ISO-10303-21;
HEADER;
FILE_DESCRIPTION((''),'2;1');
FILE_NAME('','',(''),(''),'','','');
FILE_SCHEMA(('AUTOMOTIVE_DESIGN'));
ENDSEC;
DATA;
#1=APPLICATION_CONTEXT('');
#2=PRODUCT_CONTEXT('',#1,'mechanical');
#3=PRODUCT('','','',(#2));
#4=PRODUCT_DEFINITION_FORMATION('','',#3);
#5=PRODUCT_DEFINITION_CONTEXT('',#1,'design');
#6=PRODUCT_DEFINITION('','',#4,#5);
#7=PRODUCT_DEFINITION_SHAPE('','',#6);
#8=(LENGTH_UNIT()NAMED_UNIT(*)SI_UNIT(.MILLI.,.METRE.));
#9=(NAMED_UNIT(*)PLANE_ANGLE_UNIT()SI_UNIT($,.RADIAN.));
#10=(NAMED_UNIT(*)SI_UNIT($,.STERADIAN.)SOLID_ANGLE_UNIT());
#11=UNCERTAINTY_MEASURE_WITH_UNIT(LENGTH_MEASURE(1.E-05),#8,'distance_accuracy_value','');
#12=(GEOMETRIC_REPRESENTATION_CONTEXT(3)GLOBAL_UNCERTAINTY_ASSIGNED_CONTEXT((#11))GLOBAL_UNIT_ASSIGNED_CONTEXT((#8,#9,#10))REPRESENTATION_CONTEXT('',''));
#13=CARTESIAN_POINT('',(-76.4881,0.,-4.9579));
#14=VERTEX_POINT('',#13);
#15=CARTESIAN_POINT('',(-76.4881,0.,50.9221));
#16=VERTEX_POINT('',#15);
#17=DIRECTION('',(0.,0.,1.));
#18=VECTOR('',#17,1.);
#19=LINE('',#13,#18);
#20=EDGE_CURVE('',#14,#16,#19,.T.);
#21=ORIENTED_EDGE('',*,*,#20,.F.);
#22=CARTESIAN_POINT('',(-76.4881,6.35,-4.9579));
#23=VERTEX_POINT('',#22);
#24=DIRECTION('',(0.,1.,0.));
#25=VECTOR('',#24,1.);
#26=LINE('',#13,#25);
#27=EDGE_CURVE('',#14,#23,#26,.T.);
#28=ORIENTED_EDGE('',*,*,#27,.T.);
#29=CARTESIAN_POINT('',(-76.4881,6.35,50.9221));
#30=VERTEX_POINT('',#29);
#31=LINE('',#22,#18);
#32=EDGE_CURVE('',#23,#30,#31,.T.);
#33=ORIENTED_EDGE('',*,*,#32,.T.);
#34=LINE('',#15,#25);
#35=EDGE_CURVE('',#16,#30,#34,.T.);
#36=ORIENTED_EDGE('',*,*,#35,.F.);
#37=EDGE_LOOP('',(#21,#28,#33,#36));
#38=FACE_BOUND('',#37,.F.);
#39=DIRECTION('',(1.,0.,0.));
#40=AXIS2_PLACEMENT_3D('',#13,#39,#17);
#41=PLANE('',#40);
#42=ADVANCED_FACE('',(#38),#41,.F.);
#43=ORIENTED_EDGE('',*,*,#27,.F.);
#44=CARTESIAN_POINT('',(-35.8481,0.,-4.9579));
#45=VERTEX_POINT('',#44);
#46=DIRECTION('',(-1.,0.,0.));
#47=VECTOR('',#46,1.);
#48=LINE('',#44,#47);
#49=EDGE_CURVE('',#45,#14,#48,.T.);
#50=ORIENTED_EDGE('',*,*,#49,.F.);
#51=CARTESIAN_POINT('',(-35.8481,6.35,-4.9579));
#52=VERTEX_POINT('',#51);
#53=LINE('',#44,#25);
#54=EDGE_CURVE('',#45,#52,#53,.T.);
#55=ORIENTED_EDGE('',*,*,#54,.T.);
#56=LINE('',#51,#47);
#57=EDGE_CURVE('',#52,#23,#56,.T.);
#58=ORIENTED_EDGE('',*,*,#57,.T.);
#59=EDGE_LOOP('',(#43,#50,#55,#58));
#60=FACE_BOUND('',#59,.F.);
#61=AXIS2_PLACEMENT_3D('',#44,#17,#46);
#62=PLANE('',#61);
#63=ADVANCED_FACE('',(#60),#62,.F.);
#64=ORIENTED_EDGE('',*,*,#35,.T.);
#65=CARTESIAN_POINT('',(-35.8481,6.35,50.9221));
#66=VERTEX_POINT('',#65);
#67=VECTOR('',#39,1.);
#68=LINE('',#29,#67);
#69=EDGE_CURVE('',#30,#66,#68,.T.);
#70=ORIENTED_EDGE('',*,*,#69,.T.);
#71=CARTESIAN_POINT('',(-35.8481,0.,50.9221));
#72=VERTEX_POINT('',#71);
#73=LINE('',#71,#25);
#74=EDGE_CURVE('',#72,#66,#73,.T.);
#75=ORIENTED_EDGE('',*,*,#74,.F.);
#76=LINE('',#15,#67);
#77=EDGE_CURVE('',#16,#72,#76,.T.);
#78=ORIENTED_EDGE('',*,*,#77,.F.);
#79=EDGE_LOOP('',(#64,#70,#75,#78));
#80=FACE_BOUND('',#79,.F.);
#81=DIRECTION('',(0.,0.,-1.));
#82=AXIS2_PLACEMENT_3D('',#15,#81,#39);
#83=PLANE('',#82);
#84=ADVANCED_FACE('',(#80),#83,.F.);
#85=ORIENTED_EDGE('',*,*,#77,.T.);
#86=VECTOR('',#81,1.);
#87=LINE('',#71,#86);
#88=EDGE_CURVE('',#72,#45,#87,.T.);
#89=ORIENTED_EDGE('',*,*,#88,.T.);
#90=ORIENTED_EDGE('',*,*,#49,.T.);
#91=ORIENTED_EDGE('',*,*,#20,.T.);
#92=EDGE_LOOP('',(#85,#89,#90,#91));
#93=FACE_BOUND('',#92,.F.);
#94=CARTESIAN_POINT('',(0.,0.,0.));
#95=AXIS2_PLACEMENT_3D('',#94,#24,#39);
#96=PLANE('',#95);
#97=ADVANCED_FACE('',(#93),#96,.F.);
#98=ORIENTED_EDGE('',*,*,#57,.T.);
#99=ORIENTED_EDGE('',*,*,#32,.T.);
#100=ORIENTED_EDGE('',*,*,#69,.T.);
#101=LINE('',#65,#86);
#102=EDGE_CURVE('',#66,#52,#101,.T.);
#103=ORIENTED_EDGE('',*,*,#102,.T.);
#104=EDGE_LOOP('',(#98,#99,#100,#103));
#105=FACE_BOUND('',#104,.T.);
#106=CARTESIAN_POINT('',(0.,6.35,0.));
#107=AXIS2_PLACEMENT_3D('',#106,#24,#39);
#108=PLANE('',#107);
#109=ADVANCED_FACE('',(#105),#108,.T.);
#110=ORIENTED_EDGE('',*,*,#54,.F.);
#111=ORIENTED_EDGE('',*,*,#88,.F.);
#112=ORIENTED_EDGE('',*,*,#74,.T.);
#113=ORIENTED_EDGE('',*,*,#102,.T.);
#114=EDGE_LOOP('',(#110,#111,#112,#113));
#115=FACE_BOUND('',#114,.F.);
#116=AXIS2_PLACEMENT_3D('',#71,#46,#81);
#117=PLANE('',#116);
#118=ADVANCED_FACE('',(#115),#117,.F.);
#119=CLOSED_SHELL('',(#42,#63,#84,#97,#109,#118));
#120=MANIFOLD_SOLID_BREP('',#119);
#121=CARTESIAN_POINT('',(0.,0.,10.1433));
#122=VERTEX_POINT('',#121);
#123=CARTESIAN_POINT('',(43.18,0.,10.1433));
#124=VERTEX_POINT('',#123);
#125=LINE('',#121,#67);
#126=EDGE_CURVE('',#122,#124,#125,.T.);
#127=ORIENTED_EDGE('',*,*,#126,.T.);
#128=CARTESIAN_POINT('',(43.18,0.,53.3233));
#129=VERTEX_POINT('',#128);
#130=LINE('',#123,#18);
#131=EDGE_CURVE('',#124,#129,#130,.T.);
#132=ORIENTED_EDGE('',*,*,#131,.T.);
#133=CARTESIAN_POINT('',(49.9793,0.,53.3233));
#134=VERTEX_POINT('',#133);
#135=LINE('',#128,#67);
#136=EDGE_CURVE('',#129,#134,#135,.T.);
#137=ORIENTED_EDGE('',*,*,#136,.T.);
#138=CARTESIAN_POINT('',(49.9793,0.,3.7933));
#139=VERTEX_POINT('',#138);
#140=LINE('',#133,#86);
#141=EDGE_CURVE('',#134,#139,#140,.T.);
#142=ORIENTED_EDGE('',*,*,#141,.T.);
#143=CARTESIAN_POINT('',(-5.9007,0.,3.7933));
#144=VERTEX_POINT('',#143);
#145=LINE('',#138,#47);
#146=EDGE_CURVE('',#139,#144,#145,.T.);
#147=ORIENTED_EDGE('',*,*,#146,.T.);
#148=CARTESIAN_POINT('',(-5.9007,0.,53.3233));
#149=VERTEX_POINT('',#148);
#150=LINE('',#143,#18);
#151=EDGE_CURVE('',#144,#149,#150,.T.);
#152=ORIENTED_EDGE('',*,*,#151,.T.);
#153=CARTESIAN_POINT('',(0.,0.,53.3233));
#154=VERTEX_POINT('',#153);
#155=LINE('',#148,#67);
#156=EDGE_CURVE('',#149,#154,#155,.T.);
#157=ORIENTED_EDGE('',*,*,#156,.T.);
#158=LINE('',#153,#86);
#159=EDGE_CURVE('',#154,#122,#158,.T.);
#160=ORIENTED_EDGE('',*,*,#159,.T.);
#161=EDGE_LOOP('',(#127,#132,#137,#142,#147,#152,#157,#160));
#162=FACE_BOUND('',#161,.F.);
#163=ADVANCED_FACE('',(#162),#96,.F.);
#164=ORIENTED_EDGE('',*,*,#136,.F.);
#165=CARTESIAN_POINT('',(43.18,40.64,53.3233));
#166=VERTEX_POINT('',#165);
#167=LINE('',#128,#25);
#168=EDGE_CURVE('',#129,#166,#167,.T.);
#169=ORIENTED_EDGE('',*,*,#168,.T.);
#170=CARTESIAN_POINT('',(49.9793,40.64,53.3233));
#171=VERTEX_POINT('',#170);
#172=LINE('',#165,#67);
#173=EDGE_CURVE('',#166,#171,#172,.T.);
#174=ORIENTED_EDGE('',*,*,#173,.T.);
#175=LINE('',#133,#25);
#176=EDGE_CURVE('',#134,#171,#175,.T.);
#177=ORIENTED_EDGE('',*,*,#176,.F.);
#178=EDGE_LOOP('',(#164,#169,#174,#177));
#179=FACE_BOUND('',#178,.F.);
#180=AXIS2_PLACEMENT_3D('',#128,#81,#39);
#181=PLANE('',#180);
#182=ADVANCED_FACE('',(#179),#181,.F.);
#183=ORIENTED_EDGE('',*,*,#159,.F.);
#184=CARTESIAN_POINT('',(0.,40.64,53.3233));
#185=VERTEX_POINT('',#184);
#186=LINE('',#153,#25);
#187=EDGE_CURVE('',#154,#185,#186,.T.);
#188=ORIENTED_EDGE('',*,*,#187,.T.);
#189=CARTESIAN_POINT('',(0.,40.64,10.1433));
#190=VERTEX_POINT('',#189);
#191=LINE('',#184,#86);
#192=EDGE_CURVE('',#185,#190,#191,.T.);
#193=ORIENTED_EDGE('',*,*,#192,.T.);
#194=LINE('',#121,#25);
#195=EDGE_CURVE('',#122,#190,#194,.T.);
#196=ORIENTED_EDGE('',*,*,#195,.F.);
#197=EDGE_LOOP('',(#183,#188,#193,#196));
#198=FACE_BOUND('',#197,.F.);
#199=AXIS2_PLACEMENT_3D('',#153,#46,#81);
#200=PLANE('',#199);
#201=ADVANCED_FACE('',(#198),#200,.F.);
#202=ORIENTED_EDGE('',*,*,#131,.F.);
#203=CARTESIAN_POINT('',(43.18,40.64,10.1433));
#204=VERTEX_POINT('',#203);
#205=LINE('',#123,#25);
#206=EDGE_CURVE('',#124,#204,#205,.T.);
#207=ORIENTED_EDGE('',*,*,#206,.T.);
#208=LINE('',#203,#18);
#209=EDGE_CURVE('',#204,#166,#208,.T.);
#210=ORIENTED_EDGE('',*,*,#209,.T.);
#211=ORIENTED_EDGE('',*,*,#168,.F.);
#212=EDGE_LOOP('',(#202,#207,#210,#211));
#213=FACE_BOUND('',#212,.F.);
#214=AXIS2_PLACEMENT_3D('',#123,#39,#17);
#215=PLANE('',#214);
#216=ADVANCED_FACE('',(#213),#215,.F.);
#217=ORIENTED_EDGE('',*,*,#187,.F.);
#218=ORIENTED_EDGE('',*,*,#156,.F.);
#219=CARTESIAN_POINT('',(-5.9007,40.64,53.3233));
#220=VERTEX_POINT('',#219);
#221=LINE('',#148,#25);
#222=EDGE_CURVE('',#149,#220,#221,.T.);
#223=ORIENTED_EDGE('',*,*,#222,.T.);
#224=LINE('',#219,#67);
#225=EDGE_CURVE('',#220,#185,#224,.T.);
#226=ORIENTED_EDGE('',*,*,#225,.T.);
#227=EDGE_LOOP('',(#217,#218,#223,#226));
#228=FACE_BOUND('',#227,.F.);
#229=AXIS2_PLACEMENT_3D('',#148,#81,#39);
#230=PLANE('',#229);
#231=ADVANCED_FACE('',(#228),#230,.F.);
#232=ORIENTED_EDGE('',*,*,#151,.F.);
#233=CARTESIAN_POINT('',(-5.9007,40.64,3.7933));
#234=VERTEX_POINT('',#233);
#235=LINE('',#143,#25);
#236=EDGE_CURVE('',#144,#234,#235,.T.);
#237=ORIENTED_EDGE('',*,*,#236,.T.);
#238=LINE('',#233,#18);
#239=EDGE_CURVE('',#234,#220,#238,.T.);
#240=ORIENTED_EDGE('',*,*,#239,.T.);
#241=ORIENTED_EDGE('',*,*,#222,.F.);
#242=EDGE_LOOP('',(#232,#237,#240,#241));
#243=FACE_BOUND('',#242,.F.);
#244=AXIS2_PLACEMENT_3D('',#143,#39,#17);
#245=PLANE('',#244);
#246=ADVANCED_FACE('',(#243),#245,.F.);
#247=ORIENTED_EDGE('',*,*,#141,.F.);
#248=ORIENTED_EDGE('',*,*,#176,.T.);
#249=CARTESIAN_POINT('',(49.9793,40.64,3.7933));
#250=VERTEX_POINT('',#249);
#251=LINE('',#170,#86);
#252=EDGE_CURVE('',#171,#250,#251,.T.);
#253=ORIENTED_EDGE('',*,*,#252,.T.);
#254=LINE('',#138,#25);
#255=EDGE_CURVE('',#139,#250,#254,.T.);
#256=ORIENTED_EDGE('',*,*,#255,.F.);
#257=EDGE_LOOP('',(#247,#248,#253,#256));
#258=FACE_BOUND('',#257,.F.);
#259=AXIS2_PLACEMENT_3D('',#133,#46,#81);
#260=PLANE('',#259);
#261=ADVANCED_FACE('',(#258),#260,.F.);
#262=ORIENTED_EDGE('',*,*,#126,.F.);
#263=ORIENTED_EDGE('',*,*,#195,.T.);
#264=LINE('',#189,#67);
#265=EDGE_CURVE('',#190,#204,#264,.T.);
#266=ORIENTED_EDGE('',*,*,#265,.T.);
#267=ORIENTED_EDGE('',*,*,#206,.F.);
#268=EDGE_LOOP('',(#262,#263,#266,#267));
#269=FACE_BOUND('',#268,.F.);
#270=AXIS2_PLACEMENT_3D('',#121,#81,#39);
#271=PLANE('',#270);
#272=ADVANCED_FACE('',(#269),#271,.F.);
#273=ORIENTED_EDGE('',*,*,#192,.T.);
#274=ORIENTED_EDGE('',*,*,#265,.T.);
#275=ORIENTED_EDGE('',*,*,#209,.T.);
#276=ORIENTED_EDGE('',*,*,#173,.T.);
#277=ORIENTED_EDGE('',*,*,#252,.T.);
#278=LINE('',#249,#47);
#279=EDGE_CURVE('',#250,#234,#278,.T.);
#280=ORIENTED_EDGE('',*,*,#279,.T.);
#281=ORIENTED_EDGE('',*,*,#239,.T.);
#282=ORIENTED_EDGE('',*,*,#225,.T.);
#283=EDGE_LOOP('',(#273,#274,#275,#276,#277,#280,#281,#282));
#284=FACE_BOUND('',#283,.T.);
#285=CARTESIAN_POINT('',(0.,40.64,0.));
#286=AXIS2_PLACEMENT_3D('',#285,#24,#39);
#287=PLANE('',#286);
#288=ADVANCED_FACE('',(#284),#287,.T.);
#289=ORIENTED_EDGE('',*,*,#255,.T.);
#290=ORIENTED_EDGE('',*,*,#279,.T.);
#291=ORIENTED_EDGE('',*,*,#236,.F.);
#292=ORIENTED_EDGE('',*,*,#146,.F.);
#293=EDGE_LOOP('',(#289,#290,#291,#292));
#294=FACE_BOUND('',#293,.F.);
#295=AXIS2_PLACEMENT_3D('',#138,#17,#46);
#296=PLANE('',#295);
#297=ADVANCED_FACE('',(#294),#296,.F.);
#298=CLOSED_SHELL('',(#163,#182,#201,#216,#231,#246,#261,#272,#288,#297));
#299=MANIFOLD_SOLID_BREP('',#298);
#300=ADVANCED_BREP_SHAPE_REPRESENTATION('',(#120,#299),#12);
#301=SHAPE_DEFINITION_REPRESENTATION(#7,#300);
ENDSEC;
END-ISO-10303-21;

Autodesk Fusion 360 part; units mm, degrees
sketch "Sketch1" plane through (0, 0, 0) normal (0, 1, 0) x (1, 0, 0)
  line L0 (0, -53.3233) -> (0, -10.1433)
  line L1 (0, -10.1433) -> (43.18, -10.1433)
  line L2 (43.18, -10.1433) -> (43.18, -53.3233)
  line L3 (43.18, -53.3233) -> (49.9793, -53.3233)
  line L4 (49.9793, -53.3233) -> (49.9793, -3.7933)
  line L5 (49.9793, -3.7933) -> (-5.9007, -3.7933)
  line L6 (-5.9007, -3.7933) -> (-5.9007, -53.3233)
  line L7 (-5.9007, -53.3233) -> (0, -53.3233)
  dimension "d1" = 43.18
  dimension "d2" = 43.18
  dimension "d3" = 43.18
  dimension "d4" = 49.53
  dimension "d5" = 55.88
  dimension "d6" = 49.53
extrude "Extrude1" add sketch "Sketch1" along normal blind 40.64 makes body 1
sketch "Sketch2" plane through (0, 0, 0) normal (0, 1, 0) x (1, 0, 0)
  line L0 (-76.4881, -50.9221) -> (-35.8481, -50.9221)
  line L1 (-35.8481, -50.9221) -> (-35.8481, 4.9579)
  line L2 (-35.8481, 4.9579) -> (-76.4881, 4.9579)
  line L3 (-76.4881, 4.9579) -> (-76.4881, -50.9221)
  dimension "d9" = 40.64
  dimension "d10" = 55.88
extrude "Extrude2" add sketch "Sketch2" along normal blind 6.35 separate body makes body 2
